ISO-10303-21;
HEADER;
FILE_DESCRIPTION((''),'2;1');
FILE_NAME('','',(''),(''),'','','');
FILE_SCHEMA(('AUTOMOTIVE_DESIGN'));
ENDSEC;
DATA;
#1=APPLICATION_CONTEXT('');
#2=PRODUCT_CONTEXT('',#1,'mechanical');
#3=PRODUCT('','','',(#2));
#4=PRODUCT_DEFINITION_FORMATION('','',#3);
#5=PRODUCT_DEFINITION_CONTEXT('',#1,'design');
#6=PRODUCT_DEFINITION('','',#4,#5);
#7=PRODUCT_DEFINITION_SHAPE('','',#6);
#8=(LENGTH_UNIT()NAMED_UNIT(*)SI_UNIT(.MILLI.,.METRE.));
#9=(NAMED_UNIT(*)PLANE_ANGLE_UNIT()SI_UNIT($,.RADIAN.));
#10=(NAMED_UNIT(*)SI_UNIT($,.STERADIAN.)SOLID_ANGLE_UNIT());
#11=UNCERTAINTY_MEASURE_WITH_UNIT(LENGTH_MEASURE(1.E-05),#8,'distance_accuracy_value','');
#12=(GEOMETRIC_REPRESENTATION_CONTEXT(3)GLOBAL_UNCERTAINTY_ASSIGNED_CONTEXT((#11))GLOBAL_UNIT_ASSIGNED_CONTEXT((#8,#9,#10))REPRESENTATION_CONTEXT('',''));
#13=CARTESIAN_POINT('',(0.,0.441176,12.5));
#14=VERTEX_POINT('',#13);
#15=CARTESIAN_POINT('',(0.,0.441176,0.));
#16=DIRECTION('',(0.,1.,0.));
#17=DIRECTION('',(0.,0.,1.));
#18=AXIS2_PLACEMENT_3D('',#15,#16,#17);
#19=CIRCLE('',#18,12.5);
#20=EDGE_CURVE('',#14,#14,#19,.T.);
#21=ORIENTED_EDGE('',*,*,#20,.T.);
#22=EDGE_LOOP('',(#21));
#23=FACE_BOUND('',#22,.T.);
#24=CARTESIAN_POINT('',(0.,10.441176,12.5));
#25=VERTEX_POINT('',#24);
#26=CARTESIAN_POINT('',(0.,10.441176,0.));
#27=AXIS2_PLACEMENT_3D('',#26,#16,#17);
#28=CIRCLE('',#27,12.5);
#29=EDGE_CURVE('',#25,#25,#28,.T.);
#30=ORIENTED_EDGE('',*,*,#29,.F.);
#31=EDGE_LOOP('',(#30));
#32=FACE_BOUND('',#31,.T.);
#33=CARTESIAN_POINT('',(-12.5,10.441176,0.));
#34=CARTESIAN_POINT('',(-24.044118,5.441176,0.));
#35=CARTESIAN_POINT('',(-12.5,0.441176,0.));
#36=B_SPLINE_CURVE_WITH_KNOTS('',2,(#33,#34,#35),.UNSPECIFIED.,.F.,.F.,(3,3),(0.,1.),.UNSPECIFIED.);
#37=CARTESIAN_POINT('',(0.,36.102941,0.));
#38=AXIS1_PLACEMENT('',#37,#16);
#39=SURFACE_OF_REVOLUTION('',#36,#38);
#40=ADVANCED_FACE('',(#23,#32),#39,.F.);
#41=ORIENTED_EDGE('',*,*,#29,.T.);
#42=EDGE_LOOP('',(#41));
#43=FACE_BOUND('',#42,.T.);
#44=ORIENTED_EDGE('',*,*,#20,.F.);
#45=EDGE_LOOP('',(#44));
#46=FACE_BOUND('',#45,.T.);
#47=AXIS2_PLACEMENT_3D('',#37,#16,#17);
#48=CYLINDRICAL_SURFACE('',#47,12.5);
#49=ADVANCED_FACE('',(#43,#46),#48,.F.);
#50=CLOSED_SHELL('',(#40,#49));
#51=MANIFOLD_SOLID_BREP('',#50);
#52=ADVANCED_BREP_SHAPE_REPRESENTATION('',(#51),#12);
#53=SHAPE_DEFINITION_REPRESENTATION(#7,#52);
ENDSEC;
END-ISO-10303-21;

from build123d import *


with BuildPart() as part:
    # 草图1 → 旋转1 (revolve)
    with BuildSketch(Plane.XY):
        with BuildLine():
            Line((-12.5, 0.441176471), (-12.5, 10.441176471))
            add(Edge.make_bspline(
                [(-12.5, 10.441176471), (-24.044117647, 5.441176471), (-12.5, 0.441176471)],
                knots=[0, 0, 0, 1, 1, 1], degree=2))
        make_face()
    revolve(axis=Axis((0, 36.102941176, 0), (0, -1, 0)))


solid = part.part
